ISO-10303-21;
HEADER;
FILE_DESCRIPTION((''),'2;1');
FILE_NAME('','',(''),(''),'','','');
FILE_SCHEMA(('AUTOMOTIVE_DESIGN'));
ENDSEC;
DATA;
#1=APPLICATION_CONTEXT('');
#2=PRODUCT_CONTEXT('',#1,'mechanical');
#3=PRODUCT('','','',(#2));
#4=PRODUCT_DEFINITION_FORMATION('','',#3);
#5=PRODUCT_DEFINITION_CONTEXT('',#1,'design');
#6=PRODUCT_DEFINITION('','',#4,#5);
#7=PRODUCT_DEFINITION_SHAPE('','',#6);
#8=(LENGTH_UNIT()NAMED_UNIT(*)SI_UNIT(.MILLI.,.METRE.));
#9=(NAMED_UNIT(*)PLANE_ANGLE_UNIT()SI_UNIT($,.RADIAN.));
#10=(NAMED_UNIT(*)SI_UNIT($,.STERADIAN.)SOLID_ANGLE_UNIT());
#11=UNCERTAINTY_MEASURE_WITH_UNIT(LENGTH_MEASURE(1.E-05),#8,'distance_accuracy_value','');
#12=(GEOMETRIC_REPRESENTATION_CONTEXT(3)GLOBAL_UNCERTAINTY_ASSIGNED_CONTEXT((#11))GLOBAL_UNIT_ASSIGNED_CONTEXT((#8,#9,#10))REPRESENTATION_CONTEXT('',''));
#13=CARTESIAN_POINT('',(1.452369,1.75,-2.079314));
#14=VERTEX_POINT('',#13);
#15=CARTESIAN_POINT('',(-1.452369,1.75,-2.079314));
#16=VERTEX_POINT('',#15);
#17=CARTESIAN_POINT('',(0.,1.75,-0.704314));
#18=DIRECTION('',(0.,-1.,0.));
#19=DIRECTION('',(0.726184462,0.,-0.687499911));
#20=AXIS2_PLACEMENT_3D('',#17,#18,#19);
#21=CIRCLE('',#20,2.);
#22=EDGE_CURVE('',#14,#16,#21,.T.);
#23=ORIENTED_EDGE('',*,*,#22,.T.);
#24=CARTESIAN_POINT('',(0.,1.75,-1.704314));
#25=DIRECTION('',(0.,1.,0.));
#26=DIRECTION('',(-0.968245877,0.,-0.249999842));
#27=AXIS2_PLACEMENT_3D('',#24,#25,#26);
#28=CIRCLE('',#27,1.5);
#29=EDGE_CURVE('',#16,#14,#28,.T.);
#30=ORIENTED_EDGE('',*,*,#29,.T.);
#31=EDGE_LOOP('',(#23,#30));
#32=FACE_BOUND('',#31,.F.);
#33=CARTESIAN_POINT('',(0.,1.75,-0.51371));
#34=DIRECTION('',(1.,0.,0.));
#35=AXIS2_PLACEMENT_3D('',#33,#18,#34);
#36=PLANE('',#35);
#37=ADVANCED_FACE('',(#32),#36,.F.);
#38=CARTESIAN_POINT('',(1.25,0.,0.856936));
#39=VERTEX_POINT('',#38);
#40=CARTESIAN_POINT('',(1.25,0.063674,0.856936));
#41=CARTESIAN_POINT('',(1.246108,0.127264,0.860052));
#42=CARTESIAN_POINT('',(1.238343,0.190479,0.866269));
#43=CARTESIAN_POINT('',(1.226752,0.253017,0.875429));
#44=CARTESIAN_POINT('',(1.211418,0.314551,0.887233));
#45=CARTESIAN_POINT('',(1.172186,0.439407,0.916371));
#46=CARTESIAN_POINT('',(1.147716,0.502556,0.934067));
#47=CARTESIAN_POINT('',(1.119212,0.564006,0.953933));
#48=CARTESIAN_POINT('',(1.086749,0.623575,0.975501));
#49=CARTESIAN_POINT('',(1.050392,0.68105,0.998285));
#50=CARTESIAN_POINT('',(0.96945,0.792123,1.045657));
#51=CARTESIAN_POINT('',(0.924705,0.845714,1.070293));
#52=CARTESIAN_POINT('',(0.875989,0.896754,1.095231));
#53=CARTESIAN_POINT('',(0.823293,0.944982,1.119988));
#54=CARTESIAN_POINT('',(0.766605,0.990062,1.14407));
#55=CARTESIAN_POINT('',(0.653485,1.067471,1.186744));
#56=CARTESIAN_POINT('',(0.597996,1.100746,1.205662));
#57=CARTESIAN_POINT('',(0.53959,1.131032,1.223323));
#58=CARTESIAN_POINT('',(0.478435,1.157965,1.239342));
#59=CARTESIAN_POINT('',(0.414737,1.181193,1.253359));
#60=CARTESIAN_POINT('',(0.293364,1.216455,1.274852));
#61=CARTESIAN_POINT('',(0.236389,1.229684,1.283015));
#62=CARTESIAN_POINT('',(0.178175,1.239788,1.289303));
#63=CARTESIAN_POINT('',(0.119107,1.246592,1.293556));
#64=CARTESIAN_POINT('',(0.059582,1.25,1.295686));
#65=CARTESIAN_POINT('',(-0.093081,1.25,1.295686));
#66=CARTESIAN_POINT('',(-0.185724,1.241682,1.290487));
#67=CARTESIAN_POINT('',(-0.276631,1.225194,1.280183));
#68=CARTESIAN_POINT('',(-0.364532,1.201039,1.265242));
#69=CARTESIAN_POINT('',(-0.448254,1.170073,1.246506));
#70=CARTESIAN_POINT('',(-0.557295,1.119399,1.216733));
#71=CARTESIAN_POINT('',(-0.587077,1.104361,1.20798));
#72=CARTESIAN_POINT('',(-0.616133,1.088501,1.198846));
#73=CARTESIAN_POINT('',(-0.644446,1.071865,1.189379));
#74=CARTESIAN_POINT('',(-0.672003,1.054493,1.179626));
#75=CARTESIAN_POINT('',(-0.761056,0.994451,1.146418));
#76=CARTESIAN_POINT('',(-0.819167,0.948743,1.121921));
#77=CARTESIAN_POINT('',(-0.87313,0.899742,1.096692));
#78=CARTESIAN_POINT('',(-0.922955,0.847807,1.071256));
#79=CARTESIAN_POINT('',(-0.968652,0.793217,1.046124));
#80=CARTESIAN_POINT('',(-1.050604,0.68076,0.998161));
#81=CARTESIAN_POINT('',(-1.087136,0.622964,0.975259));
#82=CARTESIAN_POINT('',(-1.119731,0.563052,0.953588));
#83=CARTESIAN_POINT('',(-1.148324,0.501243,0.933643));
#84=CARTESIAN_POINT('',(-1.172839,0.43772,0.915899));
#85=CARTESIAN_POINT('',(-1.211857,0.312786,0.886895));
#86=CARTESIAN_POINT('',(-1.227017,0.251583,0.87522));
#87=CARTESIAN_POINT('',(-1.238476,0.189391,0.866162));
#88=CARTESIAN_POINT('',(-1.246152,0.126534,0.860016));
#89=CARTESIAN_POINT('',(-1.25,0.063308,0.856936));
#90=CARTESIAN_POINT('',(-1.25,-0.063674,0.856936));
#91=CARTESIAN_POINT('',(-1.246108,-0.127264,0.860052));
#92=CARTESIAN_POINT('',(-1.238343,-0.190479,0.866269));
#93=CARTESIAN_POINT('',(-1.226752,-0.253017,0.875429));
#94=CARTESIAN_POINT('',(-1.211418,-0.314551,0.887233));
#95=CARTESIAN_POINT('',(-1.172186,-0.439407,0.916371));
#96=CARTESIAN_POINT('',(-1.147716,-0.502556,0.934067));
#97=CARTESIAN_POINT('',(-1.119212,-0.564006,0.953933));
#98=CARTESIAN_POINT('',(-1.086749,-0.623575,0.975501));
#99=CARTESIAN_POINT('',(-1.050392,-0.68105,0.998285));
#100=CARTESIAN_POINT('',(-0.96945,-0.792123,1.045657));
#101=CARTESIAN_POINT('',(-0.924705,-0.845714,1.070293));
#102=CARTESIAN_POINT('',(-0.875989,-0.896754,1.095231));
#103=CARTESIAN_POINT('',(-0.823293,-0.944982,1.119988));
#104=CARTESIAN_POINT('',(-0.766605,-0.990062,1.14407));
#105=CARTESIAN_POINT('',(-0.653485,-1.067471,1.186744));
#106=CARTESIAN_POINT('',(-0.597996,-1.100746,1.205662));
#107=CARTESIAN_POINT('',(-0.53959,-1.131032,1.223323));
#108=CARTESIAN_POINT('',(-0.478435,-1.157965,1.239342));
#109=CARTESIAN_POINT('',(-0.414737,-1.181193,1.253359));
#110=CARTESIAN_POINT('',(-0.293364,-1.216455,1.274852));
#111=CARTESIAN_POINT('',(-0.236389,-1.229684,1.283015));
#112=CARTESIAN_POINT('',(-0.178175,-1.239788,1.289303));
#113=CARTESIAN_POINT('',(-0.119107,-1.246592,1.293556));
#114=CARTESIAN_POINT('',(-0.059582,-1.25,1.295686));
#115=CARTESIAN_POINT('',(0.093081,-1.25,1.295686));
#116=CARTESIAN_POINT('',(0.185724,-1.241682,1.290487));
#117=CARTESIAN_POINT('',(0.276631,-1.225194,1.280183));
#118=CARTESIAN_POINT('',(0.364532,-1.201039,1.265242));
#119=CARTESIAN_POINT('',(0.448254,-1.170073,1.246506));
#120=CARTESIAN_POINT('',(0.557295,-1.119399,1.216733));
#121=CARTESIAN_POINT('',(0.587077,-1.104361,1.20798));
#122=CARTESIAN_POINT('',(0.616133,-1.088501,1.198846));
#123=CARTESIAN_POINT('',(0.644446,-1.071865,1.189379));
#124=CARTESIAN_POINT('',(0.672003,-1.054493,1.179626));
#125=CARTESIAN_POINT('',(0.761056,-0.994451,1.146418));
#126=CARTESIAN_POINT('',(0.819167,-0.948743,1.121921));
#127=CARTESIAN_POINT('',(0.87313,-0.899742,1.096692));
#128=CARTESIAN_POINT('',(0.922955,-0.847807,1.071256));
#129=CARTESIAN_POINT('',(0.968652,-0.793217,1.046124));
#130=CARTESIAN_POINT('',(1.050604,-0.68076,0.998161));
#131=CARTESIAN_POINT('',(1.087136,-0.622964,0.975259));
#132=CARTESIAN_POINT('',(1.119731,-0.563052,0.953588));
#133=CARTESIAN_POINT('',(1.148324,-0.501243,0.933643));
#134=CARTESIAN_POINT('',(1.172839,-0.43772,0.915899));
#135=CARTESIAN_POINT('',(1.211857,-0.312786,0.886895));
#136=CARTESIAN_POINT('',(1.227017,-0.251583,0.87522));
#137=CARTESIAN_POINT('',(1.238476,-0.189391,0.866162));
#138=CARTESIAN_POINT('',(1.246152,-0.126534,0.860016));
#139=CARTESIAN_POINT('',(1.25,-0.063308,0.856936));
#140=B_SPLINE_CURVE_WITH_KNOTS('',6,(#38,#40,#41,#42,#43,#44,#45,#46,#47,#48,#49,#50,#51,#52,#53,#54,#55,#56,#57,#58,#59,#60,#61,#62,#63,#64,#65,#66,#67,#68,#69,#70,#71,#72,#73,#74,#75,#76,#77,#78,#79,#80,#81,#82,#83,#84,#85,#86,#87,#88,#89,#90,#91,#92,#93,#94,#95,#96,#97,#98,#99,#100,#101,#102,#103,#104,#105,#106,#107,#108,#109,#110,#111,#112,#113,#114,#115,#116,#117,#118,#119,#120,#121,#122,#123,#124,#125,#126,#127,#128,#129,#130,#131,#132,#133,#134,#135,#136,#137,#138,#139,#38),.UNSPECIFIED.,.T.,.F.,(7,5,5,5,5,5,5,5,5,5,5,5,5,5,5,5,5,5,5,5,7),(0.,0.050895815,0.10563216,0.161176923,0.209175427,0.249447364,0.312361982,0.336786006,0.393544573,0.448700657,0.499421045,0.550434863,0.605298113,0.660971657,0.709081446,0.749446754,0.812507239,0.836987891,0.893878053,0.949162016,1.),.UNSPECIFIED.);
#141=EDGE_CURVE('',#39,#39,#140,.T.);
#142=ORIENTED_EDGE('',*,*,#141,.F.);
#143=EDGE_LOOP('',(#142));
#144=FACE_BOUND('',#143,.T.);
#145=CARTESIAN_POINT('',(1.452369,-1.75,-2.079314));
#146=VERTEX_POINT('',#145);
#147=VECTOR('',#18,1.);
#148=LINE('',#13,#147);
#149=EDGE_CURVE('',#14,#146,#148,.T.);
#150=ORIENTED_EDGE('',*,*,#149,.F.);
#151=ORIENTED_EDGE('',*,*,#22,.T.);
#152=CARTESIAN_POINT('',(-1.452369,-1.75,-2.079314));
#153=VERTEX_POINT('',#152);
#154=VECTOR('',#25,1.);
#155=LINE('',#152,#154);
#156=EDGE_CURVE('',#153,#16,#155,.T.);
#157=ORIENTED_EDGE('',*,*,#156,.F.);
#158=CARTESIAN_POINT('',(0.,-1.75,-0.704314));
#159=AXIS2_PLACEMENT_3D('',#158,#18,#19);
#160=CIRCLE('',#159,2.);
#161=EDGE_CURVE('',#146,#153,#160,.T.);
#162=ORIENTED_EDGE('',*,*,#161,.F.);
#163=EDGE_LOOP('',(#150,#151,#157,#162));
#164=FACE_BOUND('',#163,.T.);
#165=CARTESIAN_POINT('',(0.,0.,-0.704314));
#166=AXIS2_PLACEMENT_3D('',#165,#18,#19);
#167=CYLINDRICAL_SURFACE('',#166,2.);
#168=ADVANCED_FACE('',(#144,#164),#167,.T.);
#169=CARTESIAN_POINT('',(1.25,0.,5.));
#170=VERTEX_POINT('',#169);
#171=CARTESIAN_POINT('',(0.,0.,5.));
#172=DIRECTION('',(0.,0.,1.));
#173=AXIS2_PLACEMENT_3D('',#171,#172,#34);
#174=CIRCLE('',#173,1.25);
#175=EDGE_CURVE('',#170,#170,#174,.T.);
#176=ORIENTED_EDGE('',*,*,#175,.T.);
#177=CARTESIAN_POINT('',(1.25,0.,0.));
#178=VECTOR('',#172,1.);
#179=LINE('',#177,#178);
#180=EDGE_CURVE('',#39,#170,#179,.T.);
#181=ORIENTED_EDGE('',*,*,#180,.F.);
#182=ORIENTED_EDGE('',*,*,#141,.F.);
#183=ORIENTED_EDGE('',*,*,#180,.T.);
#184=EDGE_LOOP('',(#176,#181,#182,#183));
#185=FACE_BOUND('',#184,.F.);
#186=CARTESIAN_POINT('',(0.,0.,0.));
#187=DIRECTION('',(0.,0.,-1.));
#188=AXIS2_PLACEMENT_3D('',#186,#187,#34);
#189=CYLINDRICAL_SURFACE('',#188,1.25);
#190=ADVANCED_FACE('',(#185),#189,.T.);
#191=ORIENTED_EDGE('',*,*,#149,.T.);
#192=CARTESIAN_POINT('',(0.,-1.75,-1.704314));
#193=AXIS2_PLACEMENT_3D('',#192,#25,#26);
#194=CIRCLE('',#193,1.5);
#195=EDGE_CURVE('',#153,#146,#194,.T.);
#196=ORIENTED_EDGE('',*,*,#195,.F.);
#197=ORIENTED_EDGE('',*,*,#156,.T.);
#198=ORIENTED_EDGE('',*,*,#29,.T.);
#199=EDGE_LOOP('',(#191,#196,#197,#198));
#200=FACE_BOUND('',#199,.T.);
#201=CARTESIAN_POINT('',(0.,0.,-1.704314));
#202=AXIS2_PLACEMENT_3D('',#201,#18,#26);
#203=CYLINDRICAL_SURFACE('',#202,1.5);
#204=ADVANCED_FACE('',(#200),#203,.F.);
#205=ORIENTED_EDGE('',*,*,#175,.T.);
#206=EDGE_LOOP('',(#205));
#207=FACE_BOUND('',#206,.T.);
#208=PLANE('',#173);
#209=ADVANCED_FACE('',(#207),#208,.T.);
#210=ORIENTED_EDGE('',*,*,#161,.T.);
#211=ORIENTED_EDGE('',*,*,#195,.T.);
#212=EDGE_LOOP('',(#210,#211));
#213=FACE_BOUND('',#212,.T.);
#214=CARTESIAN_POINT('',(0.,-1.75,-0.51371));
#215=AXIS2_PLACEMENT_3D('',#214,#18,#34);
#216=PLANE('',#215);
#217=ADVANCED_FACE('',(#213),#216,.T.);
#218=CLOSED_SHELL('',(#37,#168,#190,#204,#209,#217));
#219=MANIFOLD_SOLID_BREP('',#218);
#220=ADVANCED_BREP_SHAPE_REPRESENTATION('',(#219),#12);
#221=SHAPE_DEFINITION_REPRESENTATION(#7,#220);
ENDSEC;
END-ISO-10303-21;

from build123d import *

# Parameters (mm, degrees)
F1_DEPTH = 1.75
F2_R     = 1.25
F3_DEPTH = 5


with BuildPart() as f1:
    # F0 (on Front) → F1 (new body, symmetric)
    with BuildSketch(Plane.XZ):
        with BuildLine():
            ThreePointArc((-1.452369, -2.079314), (0, -0.204314), (1.452369, -2.079314))
            ThreePointArc((1.452369, -2.079314), (0, 1.295686), (-1.452369, -2.079314))
        make_face()
    extrude(amount=F1_DEPTH, both=True)

    # F2 (on Top) → F3 (join)
    with BuildSketch(Plane.XY):
        Circle(F2_R)
    extrude(amount=F3_DEPTH)


solid = f1.part
